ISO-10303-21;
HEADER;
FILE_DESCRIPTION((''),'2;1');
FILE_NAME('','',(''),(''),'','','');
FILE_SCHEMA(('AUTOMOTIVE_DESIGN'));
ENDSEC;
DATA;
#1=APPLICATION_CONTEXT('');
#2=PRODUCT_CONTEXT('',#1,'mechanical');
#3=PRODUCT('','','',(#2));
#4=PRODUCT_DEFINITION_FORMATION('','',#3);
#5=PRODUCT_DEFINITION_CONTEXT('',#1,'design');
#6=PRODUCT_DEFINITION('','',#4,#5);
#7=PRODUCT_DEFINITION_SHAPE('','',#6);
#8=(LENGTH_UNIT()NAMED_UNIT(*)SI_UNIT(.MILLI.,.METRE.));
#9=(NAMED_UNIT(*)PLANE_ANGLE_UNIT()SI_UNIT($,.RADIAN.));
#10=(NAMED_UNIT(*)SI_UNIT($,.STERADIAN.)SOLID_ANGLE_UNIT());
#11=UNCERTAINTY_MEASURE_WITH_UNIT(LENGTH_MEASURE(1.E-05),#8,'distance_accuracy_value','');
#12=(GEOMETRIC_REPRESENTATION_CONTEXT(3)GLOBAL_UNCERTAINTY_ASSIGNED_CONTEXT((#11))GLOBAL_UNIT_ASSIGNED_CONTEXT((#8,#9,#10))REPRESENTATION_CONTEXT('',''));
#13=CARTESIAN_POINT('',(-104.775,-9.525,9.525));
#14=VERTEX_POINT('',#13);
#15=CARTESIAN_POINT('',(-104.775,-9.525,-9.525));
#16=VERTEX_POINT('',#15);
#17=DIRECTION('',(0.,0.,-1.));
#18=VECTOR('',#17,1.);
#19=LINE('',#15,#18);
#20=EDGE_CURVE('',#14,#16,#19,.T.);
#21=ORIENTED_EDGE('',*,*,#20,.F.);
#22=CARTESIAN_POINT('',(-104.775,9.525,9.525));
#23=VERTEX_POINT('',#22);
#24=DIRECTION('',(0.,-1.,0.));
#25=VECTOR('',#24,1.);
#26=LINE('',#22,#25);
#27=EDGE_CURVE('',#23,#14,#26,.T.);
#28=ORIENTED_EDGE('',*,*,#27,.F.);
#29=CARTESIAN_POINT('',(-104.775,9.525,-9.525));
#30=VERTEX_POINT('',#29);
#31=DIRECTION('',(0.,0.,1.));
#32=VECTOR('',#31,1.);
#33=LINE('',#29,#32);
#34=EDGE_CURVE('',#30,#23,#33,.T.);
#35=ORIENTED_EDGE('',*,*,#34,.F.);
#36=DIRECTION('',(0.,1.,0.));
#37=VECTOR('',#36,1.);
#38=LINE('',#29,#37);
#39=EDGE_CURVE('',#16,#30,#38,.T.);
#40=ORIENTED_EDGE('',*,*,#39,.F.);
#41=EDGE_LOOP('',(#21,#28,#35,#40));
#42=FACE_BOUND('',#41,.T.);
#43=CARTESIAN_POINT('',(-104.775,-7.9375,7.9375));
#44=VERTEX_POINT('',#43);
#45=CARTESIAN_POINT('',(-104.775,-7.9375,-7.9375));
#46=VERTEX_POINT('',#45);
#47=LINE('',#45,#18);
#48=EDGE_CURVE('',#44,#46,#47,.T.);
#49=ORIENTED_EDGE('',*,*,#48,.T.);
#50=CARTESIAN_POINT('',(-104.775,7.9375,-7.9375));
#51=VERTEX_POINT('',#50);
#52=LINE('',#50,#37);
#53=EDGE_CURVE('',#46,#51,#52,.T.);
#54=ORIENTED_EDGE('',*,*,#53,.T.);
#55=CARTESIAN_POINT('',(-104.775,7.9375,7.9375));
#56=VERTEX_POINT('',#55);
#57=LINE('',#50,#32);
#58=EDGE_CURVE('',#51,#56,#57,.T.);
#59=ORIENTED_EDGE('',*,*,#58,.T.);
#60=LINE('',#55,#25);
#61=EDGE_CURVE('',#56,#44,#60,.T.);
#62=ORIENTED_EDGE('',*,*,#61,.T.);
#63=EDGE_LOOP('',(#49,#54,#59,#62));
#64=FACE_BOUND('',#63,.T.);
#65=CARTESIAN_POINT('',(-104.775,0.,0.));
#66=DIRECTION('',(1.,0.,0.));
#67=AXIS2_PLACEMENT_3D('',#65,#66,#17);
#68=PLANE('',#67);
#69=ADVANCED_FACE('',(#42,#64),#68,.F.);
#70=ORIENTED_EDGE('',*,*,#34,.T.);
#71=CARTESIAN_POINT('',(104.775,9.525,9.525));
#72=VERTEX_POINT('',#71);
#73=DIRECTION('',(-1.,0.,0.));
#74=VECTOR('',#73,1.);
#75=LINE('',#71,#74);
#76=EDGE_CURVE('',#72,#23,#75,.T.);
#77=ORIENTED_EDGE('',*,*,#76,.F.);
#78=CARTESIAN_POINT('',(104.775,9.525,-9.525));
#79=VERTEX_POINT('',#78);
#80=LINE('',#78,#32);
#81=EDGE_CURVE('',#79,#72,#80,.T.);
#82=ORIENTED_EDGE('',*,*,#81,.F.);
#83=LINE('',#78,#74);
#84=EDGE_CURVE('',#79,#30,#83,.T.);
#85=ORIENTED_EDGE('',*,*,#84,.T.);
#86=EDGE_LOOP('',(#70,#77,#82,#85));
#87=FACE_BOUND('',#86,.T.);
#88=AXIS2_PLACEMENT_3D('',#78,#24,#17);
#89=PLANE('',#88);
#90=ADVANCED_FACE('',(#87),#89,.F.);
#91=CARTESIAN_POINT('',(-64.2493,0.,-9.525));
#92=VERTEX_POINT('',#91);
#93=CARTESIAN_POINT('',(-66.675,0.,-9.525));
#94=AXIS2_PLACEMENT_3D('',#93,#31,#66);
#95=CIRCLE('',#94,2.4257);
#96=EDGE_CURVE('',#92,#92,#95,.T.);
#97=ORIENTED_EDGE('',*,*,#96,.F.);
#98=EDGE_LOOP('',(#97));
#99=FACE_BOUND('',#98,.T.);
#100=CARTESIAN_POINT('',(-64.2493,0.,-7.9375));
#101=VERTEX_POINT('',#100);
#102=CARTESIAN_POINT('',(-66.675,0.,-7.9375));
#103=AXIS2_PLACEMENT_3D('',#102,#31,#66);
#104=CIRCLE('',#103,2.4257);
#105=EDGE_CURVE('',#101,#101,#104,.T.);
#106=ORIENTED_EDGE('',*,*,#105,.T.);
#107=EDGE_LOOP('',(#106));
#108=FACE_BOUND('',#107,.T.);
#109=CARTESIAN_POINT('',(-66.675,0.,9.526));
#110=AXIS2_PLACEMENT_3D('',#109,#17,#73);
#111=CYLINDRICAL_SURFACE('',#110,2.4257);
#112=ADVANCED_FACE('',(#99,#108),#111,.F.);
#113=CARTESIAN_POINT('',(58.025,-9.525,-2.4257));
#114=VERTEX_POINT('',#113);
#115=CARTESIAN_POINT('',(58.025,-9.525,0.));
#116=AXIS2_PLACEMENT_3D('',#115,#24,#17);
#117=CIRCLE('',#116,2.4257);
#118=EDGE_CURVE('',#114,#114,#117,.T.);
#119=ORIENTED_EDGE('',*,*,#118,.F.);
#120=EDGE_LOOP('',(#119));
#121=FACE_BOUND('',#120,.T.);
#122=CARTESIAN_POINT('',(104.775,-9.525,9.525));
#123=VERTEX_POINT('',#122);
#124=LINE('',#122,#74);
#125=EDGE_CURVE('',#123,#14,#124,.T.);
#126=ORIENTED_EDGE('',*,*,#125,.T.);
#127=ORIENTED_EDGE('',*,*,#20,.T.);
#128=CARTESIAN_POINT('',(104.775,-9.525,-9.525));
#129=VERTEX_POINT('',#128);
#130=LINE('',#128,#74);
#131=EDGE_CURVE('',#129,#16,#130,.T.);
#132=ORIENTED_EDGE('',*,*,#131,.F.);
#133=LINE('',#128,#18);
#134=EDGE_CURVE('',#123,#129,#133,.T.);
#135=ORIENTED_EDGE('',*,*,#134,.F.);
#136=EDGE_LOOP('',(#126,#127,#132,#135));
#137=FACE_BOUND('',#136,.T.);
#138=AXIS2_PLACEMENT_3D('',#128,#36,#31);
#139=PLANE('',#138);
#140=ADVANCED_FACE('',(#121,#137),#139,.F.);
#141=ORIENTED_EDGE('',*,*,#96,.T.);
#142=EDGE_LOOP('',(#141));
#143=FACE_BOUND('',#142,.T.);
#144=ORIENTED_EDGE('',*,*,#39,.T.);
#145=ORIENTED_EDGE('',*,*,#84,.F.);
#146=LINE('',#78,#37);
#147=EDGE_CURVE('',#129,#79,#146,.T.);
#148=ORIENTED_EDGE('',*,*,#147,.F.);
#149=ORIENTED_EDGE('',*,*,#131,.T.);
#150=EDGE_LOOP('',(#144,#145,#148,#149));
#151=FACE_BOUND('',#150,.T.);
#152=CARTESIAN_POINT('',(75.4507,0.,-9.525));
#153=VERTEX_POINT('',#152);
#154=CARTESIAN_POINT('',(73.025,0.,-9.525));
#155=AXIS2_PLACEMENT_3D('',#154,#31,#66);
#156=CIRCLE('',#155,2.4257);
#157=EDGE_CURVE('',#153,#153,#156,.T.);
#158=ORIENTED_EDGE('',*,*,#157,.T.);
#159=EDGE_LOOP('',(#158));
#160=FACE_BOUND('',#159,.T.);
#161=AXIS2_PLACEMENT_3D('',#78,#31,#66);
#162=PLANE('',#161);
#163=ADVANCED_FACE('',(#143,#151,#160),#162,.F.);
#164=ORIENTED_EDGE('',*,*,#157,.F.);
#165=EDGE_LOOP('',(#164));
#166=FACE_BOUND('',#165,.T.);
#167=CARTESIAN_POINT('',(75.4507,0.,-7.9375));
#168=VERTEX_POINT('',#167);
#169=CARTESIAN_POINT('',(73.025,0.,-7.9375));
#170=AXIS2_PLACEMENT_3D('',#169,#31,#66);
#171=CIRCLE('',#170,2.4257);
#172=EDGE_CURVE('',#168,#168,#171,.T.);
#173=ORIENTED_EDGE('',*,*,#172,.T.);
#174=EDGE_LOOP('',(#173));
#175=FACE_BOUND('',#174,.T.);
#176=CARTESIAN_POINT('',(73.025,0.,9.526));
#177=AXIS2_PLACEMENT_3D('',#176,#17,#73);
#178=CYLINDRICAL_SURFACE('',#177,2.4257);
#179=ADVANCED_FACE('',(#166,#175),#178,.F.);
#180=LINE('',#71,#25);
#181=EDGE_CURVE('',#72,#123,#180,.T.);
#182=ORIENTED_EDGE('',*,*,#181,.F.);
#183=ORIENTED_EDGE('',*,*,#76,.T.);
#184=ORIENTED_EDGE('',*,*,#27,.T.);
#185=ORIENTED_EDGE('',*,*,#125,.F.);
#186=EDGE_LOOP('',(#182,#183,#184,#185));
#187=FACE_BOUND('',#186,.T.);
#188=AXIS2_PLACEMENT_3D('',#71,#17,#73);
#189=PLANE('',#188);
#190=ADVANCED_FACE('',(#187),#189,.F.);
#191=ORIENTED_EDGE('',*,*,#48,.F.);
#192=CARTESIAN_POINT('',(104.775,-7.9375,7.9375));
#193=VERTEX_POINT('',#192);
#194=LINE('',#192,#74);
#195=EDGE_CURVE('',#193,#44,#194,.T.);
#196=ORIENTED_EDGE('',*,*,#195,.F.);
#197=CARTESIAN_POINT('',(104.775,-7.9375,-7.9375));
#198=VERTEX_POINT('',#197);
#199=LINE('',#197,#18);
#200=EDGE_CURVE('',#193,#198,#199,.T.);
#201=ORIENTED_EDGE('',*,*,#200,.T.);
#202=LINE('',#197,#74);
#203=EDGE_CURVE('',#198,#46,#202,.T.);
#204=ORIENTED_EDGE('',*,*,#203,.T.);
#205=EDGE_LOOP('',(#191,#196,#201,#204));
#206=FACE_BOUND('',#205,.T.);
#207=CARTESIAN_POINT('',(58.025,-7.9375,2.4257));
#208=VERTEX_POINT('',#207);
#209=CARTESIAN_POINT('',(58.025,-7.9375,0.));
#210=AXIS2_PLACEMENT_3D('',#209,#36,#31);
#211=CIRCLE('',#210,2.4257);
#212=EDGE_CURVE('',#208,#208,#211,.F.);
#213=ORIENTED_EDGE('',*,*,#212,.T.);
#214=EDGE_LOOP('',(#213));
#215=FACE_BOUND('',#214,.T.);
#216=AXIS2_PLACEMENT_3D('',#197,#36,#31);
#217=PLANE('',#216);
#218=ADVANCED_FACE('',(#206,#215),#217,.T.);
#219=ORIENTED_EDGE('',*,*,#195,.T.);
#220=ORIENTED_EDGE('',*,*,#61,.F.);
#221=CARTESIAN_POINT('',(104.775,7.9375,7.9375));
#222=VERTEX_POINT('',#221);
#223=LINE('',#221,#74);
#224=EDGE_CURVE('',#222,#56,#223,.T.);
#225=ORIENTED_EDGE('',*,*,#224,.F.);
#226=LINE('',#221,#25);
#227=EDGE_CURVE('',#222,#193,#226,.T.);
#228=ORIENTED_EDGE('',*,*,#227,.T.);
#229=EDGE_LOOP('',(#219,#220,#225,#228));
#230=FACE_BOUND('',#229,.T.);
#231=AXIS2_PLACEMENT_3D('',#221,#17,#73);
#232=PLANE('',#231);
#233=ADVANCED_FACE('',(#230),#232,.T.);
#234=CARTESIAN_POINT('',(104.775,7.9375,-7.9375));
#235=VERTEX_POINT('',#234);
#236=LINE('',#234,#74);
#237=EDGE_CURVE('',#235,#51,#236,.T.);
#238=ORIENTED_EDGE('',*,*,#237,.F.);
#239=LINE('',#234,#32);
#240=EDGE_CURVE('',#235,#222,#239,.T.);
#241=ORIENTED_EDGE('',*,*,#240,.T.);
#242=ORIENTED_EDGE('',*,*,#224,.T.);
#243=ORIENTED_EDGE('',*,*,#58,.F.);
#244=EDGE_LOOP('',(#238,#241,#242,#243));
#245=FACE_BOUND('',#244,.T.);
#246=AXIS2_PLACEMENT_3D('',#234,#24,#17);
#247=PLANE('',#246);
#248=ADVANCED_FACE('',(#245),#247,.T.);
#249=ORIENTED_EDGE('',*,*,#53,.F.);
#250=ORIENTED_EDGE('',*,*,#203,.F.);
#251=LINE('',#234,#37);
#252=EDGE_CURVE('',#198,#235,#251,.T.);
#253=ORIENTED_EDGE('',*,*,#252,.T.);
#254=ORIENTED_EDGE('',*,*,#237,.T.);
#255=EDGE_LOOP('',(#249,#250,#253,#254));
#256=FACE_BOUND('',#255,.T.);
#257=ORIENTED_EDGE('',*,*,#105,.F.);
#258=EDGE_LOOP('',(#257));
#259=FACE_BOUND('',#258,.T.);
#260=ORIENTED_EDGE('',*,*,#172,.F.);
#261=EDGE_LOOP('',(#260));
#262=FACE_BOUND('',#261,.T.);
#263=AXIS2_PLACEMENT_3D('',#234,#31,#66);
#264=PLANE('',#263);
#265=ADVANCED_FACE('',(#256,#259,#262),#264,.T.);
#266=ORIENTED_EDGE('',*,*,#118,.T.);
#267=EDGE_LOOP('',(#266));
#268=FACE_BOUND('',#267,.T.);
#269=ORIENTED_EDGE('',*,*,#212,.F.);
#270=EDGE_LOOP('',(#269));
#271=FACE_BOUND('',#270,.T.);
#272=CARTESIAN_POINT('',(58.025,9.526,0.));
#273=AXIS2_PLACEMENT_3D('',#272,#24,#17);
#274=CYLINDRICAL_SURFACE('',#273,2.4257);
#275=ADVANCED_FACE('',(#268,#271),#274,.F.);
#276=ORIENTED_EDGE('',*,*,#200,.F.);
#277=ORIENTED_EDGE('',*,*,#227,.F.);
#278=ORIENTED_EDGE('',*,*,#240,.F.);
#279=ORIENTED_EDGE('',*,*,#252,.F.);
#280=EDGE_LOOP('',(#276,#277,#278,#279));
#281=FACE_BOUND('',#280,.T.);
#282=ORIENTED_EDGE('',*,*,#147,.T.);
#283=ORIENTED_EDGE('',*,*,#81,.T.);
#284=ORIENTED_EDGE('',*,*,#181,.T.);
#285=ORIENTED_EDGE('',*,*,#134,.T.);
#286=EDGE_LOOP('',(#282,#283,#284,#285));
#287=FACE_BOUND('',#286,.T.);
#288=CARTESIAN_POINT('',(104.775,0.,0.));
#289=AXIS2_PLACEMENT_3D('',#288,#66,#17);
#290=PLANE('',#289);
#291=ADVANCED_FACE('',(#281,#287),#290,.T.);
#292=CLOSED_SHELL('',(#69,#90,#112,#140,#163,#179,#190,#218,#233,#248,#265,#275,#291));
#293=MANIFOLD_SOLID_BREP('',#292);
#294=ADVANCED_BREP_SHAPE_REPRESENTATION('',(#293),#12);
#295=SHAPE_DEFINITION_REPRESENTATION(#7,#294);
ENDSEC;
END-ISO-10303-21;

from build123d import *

# Parameters (mm, degrees)
SKETCH1_W                     = 19.05
SKETCH1_H                     = 19.05
SKETCH1_W_2                   = 15.875
SKETCH1_H_2                   = 15.875
BOSS_EXTRUDE1_DEPTH           = 104.775
SHELFBARMOUNTHOLE_REACH       = 108.918
SKETCH3_R                     = 2.4257
POWERSUPPLY_MOUNT_HOLES_REACH = 108.918
SKETCH4_R                     = 2.4257


with BuildPart() as part:
    # Sketch1 → Boss-Extrude1 (new, symmetric)
    with BuildSketch(Plane(origin=(0, 0, 0), x_dir=(0, -1, 0), z_dir=(1, 0, 0))):
        Rectangle(SKETCH1_W, SKETCH1_H)
        Rectangle(SKETCH1_W_2, SKETCH1_H_2, mode=Mode.SUBTRACT)
    extrude(amount=BOSS_EXTRUDE1_DEPTH, both=True)

    # Sketch3 → ShelfBarMountHole (cut, up to next)
    with BuildSketch(Plane.XZ.offset(9.525), mode=Mode.PRIVATE) as shelfbarmounthole_sk1:
        with Locations(Location((58.025000028, 0, 0), (0, 0, 270))):
            Circle(SKETCH3_R)
    shelfbarmounthole_tool1 = extrude(shelfbarmounthole_sk1.sketch, amount=-SHELFBARMOUNTHOLE_REACH, mode=Mode.PRIVATE) & part.part
    add(shelfbarmounthole_tool1.solids().sort_by_distance((58.025, -9.525, 0))[0], mode=Mode.SUBTRACT)

    # Sketch4 → PowerSupply Mount Holes (cut, up to next)
    with BuildSketch(Plane.XY.offset(-9.525), mode=Mode.PRIVATE) as powersupply_mount_holes_sk1:
        with Locations((-66.675, 0)):
            Circle(SKETCH4_R)
    powersupply_mount_holes_tool1 = extrude(powersupply_mount_holes_sk1.sketch, amount=POWERSUPPLY_MOUNT_HOLES_REACH, mode=Mode.PRIVATE) & part.part
    # Sketch4 → PowerSupply Mount Holes (cut, up to next)
    with BuildSketch(Plane.XY.offset(-9.525), mode=Mode.PRIVATE) as powersupply_mount_holes_sk2:
        with Locations((73.025, 0)):
            Circle(SKETCH4_R)
    powersupply_mount_holes_tool2 = extrude(powersupply_mount_holes_sk2.sketch, amount=POWERSUPPLY_MOUNT_HOLES_REACH, mode=Mode.PRIVATE) & part.part
    add(powersupply_mount_holes_tool1.solids().sort_by_distance((-66.675, 0, -9.525))[0], mode=Mode.SUBTRACT)
    add(powersupply_mount_holes_tool2.solids().sort_by_distance((73.025, 0, -9.525))[0], mode=Mode.SUBTRACT)


solid = part.part
